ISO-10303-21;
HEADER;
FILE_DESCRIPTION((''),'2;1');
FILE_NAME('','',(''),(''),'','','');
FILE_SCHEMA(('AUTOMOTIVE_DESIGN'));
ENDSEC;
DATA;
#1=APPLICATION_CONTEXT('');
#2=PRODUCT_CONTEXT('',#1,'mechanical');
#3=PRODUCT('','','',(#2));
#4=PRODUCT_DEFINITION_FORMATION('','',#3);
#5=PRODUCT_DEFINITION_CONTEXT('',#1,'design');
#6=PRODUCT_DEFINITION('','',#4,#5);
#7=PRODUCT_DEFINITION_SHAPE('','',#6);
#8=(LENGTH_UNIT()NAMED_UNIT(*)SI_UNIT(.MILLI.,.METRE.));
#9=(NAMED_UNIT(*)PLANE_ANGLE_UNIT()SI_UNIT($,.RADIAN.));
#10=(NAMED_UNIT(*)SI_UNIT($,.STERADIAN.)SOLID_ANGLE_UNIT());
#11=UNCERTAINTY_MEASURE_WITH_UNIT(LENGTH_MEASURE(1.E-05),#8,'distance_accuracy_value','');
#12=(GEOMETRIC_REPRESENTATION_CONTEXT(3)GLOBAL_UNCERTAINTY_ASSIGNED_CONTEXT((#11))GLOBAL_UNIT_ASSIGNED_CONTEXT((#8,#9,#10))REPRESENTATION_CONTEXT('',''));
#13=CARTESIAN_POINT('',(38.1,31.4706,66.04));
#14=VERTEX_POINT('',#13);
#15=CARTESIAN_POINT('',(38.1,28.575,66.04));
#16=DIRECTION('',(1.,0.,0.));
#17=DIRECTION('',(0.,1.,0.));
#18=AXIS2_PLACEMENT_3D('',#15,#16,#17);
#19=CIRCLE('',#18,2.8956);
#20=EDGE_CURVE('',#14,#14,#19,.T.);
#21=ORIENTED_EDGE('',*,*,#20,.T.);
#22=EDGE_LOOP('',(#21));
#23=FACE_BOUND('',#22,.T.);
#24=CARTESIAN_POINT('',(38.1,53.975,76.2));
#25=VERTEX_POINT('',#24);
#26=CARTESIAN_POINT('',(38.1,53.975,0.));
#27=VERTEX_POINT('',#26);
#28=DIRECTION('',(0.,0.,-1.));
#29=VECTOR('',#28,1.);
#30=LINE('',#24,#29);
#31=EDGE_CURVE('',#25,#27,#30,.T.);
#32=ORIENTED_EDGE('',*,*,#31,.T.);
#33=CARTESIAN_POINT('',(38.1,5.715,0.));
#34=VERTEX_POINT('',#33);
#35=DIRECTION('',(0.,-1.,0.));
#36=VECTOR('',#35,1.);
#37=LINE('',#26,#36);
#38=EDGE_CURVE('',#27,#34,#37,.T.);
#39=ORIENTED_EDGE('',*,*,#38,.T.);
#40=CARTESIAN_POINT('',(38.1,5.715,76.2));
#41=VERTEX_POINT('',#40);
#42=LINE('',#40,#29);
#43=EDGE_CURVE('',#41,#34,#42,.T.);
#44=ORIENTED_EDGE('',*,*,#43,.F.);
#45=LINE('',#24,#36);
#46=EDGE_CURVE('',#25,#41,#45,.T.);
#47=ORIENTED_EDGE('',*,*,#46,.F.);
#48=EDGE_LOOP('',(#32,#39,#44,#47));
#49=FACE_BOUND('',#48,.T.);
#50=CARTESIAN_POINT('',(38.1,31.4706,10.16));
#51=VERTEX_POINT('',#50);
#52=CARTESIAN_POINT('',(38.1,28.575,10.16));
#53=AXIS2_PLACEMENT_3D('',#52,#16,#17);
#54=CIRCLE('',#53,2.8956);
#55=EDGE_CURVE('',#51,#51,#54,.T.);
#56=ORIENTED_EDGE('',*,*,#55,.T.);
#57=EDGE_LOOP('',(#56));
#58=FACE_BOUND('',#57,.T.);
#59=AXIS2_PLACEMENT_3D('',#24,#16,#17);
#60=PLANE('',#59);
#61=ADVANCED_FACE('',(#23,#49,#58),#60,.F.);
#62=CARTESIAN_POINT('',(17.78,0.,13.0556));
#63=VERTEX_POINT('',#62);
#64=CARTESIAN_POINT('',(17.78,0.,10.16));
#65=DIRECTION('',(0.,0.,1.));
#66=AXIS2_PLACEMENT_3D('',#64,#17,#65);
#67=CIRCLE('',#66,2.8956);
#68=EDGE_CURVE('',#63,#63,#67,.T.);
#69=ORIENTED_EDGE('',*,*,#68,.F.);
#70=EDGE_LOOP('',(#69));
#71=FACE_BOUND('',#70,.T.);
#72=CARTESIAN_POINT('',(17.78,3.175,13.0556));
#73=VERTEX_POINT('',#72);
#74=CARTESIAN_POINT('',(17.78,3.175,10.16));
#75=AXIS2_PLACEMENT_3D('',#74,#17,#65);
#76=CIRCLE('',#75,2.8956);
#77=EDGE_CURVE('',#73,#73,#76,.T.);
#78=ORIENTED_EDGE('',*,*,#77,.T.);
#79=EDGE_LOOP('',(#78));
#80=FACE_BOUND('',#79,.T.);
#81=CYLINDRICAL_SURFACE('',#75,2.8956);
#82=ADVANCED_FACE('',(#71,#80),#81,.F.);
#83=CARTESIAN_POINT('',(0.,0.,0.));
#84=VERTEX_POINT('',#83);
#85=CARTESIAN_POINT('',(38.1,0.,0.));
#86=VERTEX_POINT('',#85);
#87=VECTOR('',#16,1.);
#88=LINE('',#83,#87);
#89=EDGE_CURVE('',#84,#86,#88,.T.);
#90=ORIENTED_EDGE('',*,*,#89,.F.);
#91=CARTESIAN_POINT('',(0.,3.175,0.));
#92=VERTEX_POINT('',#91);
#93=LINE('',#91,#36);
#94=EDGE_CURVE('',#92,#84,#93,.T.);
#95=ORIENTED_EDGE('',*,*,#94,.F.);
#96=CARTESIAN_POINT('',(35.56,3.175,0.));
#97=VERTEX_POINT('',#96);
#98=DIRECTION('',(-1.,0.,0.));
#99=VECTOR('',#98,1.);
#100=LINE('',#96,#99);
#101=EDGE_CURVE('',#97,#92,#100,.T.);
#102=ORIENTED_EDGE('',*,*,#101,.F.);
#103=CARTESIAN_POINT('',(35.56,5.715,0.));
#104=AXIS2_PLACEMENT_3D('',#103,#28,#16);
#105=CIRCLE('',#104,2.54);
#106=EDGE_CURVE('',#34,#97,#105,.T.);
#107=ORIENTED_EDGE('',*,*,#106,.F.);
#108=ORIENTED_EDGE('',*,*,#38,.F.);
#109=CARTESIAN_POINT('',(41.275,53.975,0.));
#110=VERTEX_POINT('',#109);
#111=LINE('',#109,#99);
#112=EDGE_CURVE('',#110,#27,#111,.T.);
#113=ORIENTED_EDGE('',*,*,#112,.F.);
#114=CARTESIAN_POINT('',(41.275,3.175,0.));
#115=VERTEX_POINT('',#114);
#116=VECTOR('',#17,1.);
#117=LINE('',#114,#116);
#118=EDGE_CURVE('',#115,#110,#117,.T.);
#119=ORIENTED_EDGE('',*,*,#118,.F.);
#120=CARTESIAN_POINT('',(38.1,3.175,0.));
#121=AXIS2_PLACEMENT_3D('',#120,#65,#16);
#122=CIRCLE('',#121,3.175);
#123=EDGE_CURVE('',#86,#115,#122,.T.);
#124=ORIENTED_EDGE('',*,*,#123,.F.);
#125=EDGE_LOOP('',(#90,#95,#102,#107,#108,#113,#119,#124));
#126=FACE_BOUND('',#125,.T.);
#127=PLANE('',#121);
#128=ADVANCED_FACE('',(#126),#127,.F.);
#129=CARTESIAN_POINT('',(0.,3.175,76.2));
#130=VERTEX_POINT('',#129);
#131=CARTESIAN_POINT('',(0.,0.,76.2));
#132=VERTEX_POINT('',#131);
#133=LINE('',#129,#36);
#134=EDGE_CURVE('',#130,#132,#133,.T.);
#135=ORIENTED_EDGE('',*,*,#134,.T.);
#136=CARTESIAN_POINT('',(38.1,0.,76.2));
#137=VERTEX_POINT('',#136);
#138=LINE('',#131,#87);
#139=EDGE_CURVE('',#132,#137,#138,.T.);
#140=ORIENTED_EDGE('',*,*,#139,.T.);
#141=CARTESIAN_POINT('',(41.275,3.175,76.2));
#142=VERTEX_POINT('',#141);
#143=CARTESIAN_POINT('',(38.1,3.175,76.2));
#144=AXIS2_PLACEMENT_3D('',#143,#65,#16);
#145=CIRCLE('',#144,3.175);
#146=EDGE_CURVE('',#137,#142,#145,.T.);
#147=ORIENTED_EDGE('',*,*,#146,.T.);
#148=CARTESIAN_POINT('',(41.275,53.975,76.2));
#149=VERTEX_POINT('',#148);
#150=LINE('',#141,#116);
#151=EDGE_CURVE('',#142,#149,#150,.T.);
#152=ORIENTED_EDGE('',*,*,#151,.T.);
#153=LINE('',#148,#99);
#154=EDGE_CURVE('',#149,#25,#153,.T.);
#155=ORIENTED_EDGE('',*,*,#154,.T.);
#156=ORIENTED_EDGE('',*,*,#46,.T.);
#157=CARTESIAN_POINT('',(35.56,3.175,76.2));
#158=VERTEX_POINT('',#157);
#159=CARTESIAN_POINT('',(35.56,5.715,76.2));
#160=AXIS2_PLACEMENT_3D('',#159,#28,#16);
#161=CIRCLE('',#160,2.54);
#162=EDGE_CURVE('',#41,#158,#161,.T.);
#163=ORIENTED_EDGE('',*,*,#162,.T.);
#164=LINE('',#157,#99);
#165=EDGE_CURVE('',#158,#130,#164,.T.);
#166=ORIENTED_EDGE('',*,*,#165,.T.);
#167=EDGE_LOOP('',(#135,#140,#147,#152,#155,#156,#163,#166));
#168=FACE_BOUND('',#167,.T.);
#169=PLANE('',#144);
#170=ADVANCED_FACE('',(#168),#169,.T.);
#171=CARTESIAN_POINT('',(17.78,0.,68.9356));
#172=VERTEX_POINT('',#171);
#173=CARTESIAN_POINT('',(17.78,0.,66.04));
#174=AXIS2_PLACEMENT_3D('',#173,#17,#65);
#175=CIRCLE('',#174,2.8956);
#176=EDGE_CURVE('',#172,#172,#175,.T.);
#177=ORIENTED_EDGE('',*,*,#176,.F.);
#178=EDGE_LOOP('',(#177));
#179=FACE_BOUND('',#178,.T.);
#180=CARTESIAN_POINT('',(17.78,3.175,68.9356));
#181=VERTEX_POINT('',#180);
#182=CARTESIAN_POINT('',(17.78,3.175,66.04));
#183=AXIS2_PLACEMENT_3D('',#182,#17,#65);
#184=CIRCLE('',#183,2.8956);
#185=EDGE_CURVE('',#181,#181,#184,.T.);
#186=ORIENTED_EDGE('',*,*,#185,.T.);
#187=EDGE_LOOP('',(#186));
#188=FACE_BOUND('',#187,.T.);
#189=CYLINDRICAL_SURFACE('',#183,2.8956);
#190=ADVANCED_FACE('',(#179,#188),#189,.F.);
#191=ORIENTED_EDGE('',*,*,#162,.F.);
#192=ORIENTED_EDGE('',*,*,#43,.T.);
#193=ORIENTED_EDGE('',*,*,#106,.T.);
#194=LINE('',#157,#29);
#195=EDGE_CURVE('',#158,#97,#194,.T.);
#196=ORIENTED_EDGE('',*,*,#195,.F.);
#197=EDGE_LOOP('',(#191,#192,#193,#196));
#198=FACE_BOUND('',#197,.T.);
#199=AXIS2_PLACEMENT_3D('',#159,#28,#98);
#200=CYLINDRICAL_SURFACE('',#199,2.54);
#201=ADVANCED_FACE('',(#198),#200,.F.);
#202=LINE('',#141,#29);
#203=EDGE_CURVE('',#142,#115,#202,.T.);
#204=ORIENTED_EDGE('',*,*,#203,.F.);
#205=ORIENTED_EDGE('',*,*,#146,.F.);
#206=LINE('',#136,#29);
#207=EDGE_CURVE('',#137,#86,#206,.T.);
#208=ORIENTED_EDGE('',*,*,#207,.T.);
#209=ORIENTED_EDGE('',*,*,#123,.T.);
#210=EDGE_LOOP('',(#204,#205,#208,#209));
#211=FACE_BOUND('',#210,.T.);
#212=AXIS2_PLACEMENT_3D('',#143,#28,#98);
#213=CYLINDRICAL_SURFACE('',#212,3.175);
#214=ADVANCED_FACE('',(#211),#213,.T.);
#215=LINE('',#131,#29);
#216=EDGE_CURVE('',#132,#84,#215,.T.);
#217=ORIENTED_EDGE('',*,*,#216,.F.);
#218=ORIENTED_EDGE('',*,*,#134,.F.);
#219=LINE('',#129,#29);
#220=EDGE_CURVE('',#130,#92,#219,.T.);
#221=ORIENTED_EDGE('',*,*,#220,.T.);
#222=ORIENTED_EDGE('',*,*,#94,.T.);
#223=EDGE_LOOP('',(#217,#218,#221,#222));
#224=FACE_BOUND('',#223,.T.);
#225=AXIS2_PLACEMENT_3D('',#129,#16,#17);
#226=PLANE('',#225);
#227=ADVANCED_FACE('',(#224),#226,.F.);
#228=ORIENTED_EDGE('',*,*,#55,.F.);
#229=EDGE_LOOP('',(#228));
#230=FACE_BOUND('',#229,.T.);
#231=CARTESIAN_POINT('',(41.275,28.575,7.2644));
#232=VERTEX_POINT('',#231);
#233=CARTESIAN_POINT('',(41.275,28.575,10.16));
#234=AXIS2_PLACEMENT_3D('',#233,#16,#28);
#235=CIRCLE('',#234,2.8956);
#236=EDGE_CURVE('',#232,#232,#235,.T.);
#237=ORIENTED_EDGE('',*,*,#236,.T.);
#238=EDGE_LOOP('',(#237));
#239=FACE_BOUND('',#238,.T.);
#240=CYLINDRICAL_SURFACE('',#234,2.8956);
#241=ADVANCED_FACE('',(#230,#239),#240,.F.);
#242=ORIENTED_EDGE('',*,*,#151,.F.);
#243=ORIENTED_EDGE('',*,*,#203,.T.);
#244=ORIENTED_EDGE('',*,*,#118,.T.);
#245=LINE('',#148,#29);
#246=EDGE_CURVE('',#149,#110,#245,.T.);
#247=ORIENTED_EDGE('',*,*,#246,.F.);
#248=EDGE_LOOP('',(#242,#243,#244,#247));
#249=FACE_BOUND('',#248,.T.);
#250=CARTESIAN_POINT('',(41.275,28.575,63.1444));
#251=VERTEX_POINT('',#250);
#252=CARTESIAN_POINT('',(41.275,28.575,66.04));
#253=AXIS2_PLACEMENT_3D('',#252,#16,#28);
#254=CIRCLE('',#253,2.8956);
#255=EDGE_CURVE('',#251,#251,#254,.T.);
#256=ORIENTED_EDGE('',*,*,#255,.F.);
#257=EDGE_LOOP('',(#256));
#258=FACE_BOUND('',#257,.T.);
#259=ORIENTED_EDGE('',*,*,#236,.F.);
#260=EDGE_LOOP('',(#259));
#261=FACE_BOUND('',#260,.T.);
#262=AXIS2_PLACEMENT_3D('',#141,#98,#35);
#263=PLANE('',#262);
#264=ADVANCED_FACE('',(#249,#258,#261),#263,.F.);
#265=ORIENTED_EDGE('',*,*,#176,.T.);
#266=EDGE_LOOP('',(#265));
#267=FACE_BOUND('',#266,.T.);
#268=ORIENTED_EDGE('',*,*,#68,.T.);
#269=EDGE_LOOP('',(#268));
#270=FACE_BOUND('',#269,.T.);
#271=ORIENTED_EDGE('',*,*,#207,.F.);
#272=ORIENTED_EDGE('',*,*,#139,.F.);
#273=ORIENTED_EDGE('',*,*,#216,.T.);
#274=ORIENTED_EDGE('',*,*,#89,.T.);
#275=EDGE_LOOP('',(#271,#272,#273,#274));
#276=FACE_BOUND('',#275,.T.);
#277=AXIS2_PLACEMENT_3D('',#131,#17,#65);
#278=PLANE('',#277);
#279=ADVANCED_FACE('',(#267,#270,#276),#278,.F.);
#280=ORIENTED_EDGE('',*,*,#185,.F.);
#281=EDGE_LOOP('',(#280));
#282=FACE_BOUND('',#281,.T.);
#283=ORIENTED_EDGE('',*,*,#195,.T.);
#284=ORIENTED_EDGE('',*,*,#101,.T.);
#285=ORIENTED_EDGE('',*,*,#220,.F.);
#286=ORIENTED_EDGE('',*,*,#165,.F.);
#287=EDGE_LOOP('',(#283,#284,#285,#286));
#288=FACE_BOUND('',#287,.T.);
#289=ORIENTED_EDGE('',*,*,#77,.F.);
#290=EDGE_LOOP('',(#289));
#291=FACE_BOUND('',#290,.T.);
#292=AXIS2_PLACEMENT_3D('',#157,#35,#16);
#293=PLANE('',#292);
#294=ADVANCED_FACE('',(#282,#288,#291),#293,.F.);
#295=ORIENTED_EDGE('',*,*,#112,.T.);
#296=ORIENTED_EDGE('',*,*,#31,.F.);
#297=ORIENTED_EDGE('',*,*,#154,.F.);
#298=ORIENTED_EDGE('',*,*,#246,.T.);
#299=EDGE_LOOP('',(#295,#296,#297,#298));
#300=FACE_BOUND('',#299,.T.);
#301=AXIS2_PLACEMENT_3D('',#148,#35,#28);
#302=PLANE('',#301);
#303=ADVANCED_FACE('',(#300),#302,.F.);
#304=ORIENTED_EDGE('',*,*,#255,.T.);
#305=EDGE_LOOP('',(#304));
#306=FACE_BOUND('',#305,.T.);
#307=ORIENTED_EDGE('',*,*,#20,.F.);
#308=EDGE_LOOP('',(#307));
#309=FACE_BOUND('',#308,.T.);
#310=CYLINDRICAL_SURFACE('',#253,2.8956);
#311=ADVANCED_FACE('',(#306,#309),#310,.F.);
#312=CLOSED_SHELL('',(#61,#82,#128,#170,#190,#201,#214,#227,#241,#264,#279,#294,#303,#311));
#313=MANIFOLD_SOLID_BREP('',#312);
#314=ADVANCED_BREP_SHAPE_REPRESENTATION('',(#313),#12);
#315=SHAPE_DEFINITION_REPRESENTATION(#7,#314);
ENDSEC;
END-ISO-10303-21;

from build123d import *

# Parameters (mm, degrees)
BOSS_EXTRUDE1_DEPTH                  = 76.2
F_12_CLEARANCE_HOLE1_D               = 5.7912
F_12_CLEARANCE_HOLE1_DEPTH           = 68.110147992
F_12_CLEARANCE_HOLE1_TIP             = 1.739852008
F_12_CLEARANCE_HOLE1_ON_FACE_2_D     = 5.7912
F_12_CLEARANCE_HOLE1_ON_FACE_2_DEPTH = 68.110147992
F_12_CLEARANCE_HOLE1_ON_FACE_2_TIP   = 1.739852008


with BuildPart() as part:
    # Sketch1 → Boss-Extrude1 (new body)
    with BuildSketch(Plane.XY):
        with BuildLine():
            Line((0, 0), (38.1, 0))
            ThreePointArc((38.1, 0), (40.34506403, 0.92993597), (41.275, 3.175))
            Line((41.275, 3.175), (41.275, 53.975))
            Line((41.275, 53.975), (38.1, 53.975))
            Line((38.1, 53.975), (38.1, 5.715))
            ThreePointArc((38.1, 5.715), (37.356051224, 3.918948776), (35.56, 3.175))
            Line((35.56, 3.175), (0, 3.175))
            Line((0, 3.175), (0, 0))
        make_face()
    extrude(amount=BOSS_EXTRUDE1_DEPTH)

    # #12 Clearance Hole1
    with Locations(Plane(origin=(41.275, 28.575, 10.16), x_dir=(0, 1, 0), z_dir=(1, 0, 0))):
        with Locations((0, 0), (0, 55.88)):
            Hole(F_12_CLEARANCE_HOLE1_D / 2, depth=F_12_CLEARANCE_HOLE1_DEPTH)
            with Locations((0, 0, -(F_12_CLEARANCE_HOLE1_DEPTH + F_12_CLEARANCE_HOLE1_TIP / 2))):  # 118° drill point
                Cone(0, F_12_CLEARANCE_HOLE1_D / 2, F_12_CLEARANCE_HOLE1_TIP, mode=Mode.SUBTRACT)

    # #12 Clearance Hole1 on face 2
    with Locations(Plane(origin=(17.78, 3.175, 66.04), x_dir=(0, 0, 1), z_dir=(0, 1, 0))):
        with Locations((0, 0), (-55.88, 0)):
            Hole(F_12_CLEARANCE_HOLE1_ON_FACE_2_D / 2, depth=F_12_CLEARANCE_HOLE1_ON_FACE_2_DEPTH)
            with Locations((0, 0, -(F_12_CLEARANCE_HOLE1_ON_FACE_2_DEPTH + F_12_CLEARANCE_HOLE1_ON_FACE_2_TIP / 2))):  # 118° drill point
                Cone(0, F_12_CLEARANCE_HOLE1_ON_FACE_2_D / 2, F_12_CLEARANCE_HOLE1_ON_FACE_2_TIP, mode=Mode.SUBTRACT)


solid = part.part
